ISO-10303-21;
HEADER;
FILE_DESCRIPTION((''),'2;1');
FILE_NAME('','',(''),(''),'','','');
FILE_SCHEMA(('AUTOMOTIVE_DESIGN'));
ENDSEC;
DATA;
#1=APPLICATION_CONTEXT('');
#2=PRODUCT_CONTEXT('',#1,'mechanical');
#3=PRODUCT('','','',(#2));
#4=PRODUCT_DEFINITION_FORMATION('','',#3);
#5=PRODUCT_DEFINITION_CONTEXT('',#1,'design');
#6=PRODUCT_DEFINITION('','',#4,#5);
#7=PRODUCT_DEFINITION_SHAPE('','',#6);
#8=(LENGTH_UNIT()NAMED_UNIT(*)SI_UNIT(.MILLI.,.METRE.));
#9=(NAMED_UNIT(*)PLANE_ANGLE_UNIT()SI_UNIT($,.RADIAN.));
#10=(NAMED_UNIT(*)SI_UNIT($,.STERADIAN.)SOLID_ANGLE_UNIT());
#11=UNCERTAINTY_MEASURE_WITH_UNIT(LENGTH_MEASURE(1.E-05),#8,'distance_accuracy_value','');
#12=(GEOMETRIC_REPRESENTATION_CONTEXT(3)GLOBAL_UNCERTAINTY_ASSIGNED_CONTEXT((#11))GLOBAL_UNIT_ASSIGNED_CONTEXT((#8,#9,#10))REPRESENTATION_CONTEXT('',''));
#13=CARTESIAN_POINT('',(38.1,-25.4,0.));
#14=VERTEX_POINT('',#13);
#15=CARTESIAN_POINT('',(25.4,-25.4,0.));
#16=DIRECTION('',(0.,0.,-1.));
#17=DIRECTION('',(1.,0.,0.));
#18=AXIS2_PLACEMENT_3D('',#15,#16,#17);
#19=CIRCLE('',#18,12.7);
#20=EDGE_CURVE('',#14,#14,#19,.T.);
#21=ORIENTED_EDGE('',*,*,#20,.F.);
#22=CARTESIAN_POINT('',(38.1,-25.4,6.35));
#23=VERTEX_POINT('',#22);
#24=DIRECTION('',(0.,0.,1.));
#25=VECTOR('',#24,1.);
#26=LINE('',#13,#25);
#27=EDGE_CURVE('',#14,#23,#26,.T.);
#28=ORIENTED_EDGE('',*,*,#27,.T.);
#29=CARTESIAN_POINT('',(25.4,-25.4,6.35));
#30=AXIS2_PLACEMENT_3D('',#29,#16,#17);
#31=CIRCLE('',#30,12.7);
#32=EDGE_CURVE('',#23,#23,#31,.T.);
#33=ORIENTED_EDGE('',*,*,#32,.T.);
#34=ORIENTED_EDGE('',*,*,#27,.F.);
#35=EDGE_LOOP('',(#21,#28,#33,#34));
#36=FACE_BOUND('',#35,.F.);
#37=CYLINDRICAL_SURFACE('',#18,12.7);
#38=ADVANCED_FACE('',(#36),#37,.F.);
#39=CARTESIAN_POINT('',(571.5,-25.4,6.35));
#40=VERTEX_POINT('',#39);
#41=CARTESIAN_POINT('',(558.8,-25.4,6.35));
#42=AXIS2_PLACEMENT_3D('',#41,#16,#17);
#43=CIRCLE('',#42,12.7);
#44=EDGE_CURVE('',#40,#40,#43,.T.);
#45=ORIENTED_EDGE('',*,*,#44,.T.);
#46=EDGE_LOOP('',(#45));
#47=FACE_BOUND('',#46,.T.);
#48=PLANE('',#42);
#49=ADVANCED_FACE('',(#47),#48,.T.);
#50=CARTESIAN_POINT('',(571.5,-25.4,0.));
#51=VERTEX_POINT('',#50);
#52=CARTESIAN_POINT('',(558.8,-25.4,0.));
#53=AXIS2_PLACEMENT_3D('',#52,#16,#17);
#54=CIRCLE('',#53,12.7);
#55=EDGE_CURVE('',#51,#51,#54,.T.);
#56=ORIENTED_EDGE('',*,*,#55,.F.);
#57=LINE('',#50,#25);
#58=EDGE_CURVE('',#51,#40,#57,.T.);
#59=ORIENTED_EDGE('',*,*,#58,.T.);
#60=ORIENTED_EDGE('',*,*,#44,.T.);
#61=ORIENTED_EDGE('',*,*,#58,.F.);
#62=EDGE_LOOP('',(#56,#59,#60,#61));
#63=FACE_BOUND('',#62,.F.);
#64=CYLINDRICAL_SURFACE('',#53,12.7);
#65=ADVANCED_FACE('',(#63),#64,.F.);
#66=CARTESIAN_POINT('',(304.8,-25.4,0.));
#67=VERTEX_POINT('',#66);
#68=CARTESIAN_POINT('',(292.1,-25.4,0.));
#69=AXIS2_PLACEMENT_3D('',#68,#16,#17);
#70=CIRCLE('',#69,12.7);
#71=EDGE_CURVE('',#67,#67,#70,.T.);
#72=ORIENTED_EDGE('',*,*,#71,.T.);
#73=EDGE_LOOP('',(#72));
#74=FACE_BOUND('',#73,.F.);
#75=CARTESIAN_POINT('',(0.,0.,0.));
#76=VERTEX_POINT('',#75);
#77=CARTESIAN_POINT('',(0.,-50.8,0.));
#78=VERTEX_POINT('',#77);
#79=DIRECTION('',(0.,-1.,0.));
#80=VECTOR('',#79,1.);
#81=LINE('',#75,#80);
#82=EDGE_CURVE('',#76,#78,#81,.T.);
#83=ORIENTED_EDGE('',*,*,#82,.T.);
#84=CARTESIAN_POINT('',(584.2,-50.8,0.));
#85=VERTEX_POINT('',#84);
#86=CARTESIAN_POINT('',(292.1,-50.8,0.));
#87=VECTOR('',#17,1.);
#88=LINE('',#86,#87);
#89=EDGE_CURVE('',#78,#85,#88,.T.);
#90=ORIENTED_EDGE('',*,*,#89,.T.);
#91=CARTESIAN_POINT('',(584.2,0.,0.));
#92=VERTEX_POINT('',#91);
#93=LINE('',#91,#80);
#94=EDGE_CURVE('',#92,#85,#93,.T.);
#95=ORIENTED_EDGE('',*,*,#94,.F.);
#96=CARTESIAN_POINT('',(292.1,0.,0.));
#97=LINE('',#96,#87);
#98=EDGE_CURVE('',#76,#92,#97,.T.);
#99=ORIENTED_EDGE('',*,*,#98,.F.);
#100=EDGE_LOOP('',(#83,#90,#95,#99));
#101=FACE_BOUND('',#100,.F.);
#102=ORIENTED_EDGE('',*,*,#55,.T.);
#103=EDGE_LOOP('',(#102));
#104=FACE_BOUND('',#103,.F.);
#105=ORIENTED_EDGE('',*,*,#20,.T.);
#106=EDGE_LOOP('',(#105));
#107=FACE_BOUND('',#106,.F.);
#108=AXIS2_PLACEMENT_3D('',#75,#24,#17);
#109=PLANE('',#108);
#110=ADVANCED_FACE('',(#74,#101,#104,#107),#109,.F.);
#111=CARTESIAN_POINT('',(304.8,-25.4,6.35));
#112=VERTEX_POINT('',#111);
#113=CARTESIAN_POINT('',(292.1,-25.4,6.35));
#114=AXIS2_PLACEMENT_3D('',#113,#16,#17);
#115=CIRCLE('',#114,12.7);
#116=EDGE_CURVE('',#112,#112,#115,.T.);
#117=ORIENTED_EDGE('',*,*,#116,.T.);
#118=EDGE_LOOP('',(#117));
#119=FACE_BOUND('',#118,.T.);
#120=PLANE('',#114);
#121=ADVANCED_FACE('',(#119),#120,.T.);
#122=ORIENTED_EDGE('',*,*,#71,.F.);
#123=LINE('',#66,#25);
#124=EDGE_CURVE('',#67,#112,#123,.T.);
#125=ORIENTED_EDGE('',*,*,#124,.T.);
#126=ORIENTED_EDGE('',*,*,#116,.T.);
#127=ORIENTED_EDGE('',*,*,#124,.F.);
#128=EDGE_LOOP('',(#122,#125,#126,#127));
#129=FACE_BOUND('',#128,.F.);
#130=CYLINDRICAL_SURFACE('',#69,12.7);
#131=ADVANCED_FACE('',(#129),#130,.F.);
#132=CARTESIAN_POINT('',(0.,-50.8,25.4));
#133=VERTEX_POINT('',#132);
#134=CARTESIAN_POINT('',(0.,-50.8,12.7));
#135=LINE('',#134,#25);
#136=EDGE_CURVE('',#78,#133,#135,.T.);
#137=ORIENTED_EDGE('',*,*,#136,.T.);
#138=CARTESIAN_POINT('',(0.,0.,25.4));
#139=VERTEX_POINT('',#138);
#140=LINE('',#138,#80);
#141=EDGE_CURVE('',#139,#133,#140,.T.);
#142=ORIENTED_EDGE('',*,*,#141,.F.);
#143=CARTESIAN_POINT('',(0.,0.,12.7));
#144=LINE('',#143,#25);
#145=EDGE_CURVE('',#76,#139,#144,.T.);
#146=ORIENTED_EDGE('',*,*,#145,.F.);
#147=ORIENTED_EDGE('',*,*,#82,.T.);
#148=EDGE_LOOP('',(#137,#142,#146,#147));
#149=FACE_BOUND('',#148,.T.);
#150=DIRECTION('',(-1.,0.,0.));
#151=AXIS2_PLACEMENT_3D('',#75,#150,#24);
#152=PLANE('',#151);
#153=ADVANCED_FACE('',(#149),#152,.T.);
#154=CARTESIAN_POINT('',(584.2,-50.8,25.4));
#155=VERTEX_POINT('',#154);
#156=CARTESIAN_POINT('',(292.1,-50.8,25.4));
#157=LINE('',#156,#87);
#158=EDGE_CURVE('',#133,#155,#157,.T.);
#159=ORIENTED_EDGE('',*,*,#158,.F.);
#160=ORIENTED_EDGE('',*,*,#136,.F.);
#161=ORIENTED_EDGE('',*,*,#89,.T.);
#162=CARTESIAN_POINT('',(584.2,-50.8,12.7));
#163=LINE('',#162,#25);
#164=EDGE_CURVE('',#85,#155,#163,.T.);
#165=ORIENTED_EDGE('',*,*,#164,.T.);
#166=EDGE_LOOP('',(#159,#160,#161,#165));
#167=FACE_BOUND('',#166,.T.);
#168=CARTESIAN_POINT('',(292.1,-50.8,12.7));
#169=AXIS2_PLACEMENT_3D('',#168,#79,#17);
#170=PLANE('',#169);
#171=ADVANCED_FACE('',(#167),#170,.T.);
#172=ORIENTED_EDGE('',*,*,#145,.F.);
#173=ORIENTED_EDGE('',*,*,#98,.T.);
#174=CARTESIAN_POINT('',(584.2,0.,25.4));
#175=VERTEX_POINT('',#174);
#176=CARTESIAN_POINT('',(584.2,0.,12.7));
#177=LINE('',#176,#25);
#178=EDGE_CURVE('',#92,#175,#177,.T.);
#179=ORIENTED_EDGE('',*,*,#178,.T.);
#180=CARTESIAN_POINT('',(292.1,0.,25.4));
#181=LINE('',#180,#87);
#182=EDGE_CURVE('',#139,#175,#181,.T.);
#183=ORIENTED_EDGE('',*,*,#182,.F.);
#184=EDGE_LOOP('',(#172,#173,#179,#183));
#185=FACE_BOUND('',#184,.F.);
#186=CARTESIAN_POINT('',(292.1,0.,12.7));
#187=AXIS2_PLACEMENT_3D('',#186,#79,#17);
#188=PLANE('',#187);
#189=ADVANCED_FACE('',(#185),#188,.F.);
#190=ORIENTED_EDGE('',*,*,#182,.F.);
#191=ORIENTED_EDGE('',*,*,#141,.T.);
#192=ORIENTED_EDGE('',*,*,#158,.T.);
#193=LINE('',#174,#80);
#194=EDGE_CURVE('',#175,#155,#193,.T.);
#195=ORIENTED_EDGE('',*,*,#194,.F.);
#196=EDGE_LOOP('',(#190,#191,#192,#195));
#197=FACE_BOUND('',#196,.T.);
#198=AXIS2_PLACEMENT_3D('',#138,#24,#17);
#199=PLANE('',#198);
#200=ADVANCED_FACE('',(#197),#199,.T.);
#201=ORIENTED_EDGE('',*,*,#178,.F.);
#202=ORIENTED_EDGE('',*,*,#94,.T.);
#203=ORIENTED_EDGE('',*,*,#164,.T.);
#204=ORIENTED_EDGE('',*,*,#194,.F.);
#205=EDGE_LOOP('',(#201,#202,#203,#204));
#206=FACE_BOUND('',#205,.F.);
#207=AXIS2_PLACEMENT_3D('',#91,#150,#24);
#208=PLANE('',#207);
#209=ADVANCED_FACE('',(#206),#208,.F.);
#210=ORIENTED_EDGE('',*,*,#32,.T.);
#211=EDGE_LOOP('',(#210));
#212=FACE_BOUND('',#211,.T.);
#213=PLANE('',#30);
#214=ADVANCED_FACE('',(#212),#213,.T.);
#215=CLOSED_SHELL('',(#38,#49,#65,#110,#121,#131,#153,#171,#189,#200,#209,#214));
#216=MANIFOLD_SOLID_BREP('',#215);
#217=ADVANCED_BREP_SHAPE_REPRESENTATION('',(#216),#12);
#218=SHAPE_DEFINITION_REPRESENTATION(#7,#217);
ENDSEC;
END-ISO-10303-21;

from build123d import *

# Parameters (mm, degrees)
F0_W     = 584.2
F0_H     = 25.4
F1_DEPTH = 50.8
F2_R     = 12.7
F3_DEPTH = 6.35


with BuildPart() as f1:
    # F0 (on Front) → F1 (new body)
    with BuildSketch(Plane.XZ):
        with Locations((292.1, 12.7)):
            Rectangle(F0_W, F0_H)
    extrude(amount=F1_DEPTH)

    # F2 (on face) → F3 (cut)
    with BuildSketch(Plane(origin=(0, 0, 0), x_dir=(1, 0, 0), z_dir=(0, 0, -1))):
        with Locations((25.4, 25.4)):
            Circle(F2_R)
        with Locations((292.1, 25.4)):
            Circle(F2_R)
        with Locations((558.8, 25.4)):
            Circle(F2_R)
    extrude(amount=-F3_DEPTH, mode=Mode.SUBTRACT)


solid = f1.part
